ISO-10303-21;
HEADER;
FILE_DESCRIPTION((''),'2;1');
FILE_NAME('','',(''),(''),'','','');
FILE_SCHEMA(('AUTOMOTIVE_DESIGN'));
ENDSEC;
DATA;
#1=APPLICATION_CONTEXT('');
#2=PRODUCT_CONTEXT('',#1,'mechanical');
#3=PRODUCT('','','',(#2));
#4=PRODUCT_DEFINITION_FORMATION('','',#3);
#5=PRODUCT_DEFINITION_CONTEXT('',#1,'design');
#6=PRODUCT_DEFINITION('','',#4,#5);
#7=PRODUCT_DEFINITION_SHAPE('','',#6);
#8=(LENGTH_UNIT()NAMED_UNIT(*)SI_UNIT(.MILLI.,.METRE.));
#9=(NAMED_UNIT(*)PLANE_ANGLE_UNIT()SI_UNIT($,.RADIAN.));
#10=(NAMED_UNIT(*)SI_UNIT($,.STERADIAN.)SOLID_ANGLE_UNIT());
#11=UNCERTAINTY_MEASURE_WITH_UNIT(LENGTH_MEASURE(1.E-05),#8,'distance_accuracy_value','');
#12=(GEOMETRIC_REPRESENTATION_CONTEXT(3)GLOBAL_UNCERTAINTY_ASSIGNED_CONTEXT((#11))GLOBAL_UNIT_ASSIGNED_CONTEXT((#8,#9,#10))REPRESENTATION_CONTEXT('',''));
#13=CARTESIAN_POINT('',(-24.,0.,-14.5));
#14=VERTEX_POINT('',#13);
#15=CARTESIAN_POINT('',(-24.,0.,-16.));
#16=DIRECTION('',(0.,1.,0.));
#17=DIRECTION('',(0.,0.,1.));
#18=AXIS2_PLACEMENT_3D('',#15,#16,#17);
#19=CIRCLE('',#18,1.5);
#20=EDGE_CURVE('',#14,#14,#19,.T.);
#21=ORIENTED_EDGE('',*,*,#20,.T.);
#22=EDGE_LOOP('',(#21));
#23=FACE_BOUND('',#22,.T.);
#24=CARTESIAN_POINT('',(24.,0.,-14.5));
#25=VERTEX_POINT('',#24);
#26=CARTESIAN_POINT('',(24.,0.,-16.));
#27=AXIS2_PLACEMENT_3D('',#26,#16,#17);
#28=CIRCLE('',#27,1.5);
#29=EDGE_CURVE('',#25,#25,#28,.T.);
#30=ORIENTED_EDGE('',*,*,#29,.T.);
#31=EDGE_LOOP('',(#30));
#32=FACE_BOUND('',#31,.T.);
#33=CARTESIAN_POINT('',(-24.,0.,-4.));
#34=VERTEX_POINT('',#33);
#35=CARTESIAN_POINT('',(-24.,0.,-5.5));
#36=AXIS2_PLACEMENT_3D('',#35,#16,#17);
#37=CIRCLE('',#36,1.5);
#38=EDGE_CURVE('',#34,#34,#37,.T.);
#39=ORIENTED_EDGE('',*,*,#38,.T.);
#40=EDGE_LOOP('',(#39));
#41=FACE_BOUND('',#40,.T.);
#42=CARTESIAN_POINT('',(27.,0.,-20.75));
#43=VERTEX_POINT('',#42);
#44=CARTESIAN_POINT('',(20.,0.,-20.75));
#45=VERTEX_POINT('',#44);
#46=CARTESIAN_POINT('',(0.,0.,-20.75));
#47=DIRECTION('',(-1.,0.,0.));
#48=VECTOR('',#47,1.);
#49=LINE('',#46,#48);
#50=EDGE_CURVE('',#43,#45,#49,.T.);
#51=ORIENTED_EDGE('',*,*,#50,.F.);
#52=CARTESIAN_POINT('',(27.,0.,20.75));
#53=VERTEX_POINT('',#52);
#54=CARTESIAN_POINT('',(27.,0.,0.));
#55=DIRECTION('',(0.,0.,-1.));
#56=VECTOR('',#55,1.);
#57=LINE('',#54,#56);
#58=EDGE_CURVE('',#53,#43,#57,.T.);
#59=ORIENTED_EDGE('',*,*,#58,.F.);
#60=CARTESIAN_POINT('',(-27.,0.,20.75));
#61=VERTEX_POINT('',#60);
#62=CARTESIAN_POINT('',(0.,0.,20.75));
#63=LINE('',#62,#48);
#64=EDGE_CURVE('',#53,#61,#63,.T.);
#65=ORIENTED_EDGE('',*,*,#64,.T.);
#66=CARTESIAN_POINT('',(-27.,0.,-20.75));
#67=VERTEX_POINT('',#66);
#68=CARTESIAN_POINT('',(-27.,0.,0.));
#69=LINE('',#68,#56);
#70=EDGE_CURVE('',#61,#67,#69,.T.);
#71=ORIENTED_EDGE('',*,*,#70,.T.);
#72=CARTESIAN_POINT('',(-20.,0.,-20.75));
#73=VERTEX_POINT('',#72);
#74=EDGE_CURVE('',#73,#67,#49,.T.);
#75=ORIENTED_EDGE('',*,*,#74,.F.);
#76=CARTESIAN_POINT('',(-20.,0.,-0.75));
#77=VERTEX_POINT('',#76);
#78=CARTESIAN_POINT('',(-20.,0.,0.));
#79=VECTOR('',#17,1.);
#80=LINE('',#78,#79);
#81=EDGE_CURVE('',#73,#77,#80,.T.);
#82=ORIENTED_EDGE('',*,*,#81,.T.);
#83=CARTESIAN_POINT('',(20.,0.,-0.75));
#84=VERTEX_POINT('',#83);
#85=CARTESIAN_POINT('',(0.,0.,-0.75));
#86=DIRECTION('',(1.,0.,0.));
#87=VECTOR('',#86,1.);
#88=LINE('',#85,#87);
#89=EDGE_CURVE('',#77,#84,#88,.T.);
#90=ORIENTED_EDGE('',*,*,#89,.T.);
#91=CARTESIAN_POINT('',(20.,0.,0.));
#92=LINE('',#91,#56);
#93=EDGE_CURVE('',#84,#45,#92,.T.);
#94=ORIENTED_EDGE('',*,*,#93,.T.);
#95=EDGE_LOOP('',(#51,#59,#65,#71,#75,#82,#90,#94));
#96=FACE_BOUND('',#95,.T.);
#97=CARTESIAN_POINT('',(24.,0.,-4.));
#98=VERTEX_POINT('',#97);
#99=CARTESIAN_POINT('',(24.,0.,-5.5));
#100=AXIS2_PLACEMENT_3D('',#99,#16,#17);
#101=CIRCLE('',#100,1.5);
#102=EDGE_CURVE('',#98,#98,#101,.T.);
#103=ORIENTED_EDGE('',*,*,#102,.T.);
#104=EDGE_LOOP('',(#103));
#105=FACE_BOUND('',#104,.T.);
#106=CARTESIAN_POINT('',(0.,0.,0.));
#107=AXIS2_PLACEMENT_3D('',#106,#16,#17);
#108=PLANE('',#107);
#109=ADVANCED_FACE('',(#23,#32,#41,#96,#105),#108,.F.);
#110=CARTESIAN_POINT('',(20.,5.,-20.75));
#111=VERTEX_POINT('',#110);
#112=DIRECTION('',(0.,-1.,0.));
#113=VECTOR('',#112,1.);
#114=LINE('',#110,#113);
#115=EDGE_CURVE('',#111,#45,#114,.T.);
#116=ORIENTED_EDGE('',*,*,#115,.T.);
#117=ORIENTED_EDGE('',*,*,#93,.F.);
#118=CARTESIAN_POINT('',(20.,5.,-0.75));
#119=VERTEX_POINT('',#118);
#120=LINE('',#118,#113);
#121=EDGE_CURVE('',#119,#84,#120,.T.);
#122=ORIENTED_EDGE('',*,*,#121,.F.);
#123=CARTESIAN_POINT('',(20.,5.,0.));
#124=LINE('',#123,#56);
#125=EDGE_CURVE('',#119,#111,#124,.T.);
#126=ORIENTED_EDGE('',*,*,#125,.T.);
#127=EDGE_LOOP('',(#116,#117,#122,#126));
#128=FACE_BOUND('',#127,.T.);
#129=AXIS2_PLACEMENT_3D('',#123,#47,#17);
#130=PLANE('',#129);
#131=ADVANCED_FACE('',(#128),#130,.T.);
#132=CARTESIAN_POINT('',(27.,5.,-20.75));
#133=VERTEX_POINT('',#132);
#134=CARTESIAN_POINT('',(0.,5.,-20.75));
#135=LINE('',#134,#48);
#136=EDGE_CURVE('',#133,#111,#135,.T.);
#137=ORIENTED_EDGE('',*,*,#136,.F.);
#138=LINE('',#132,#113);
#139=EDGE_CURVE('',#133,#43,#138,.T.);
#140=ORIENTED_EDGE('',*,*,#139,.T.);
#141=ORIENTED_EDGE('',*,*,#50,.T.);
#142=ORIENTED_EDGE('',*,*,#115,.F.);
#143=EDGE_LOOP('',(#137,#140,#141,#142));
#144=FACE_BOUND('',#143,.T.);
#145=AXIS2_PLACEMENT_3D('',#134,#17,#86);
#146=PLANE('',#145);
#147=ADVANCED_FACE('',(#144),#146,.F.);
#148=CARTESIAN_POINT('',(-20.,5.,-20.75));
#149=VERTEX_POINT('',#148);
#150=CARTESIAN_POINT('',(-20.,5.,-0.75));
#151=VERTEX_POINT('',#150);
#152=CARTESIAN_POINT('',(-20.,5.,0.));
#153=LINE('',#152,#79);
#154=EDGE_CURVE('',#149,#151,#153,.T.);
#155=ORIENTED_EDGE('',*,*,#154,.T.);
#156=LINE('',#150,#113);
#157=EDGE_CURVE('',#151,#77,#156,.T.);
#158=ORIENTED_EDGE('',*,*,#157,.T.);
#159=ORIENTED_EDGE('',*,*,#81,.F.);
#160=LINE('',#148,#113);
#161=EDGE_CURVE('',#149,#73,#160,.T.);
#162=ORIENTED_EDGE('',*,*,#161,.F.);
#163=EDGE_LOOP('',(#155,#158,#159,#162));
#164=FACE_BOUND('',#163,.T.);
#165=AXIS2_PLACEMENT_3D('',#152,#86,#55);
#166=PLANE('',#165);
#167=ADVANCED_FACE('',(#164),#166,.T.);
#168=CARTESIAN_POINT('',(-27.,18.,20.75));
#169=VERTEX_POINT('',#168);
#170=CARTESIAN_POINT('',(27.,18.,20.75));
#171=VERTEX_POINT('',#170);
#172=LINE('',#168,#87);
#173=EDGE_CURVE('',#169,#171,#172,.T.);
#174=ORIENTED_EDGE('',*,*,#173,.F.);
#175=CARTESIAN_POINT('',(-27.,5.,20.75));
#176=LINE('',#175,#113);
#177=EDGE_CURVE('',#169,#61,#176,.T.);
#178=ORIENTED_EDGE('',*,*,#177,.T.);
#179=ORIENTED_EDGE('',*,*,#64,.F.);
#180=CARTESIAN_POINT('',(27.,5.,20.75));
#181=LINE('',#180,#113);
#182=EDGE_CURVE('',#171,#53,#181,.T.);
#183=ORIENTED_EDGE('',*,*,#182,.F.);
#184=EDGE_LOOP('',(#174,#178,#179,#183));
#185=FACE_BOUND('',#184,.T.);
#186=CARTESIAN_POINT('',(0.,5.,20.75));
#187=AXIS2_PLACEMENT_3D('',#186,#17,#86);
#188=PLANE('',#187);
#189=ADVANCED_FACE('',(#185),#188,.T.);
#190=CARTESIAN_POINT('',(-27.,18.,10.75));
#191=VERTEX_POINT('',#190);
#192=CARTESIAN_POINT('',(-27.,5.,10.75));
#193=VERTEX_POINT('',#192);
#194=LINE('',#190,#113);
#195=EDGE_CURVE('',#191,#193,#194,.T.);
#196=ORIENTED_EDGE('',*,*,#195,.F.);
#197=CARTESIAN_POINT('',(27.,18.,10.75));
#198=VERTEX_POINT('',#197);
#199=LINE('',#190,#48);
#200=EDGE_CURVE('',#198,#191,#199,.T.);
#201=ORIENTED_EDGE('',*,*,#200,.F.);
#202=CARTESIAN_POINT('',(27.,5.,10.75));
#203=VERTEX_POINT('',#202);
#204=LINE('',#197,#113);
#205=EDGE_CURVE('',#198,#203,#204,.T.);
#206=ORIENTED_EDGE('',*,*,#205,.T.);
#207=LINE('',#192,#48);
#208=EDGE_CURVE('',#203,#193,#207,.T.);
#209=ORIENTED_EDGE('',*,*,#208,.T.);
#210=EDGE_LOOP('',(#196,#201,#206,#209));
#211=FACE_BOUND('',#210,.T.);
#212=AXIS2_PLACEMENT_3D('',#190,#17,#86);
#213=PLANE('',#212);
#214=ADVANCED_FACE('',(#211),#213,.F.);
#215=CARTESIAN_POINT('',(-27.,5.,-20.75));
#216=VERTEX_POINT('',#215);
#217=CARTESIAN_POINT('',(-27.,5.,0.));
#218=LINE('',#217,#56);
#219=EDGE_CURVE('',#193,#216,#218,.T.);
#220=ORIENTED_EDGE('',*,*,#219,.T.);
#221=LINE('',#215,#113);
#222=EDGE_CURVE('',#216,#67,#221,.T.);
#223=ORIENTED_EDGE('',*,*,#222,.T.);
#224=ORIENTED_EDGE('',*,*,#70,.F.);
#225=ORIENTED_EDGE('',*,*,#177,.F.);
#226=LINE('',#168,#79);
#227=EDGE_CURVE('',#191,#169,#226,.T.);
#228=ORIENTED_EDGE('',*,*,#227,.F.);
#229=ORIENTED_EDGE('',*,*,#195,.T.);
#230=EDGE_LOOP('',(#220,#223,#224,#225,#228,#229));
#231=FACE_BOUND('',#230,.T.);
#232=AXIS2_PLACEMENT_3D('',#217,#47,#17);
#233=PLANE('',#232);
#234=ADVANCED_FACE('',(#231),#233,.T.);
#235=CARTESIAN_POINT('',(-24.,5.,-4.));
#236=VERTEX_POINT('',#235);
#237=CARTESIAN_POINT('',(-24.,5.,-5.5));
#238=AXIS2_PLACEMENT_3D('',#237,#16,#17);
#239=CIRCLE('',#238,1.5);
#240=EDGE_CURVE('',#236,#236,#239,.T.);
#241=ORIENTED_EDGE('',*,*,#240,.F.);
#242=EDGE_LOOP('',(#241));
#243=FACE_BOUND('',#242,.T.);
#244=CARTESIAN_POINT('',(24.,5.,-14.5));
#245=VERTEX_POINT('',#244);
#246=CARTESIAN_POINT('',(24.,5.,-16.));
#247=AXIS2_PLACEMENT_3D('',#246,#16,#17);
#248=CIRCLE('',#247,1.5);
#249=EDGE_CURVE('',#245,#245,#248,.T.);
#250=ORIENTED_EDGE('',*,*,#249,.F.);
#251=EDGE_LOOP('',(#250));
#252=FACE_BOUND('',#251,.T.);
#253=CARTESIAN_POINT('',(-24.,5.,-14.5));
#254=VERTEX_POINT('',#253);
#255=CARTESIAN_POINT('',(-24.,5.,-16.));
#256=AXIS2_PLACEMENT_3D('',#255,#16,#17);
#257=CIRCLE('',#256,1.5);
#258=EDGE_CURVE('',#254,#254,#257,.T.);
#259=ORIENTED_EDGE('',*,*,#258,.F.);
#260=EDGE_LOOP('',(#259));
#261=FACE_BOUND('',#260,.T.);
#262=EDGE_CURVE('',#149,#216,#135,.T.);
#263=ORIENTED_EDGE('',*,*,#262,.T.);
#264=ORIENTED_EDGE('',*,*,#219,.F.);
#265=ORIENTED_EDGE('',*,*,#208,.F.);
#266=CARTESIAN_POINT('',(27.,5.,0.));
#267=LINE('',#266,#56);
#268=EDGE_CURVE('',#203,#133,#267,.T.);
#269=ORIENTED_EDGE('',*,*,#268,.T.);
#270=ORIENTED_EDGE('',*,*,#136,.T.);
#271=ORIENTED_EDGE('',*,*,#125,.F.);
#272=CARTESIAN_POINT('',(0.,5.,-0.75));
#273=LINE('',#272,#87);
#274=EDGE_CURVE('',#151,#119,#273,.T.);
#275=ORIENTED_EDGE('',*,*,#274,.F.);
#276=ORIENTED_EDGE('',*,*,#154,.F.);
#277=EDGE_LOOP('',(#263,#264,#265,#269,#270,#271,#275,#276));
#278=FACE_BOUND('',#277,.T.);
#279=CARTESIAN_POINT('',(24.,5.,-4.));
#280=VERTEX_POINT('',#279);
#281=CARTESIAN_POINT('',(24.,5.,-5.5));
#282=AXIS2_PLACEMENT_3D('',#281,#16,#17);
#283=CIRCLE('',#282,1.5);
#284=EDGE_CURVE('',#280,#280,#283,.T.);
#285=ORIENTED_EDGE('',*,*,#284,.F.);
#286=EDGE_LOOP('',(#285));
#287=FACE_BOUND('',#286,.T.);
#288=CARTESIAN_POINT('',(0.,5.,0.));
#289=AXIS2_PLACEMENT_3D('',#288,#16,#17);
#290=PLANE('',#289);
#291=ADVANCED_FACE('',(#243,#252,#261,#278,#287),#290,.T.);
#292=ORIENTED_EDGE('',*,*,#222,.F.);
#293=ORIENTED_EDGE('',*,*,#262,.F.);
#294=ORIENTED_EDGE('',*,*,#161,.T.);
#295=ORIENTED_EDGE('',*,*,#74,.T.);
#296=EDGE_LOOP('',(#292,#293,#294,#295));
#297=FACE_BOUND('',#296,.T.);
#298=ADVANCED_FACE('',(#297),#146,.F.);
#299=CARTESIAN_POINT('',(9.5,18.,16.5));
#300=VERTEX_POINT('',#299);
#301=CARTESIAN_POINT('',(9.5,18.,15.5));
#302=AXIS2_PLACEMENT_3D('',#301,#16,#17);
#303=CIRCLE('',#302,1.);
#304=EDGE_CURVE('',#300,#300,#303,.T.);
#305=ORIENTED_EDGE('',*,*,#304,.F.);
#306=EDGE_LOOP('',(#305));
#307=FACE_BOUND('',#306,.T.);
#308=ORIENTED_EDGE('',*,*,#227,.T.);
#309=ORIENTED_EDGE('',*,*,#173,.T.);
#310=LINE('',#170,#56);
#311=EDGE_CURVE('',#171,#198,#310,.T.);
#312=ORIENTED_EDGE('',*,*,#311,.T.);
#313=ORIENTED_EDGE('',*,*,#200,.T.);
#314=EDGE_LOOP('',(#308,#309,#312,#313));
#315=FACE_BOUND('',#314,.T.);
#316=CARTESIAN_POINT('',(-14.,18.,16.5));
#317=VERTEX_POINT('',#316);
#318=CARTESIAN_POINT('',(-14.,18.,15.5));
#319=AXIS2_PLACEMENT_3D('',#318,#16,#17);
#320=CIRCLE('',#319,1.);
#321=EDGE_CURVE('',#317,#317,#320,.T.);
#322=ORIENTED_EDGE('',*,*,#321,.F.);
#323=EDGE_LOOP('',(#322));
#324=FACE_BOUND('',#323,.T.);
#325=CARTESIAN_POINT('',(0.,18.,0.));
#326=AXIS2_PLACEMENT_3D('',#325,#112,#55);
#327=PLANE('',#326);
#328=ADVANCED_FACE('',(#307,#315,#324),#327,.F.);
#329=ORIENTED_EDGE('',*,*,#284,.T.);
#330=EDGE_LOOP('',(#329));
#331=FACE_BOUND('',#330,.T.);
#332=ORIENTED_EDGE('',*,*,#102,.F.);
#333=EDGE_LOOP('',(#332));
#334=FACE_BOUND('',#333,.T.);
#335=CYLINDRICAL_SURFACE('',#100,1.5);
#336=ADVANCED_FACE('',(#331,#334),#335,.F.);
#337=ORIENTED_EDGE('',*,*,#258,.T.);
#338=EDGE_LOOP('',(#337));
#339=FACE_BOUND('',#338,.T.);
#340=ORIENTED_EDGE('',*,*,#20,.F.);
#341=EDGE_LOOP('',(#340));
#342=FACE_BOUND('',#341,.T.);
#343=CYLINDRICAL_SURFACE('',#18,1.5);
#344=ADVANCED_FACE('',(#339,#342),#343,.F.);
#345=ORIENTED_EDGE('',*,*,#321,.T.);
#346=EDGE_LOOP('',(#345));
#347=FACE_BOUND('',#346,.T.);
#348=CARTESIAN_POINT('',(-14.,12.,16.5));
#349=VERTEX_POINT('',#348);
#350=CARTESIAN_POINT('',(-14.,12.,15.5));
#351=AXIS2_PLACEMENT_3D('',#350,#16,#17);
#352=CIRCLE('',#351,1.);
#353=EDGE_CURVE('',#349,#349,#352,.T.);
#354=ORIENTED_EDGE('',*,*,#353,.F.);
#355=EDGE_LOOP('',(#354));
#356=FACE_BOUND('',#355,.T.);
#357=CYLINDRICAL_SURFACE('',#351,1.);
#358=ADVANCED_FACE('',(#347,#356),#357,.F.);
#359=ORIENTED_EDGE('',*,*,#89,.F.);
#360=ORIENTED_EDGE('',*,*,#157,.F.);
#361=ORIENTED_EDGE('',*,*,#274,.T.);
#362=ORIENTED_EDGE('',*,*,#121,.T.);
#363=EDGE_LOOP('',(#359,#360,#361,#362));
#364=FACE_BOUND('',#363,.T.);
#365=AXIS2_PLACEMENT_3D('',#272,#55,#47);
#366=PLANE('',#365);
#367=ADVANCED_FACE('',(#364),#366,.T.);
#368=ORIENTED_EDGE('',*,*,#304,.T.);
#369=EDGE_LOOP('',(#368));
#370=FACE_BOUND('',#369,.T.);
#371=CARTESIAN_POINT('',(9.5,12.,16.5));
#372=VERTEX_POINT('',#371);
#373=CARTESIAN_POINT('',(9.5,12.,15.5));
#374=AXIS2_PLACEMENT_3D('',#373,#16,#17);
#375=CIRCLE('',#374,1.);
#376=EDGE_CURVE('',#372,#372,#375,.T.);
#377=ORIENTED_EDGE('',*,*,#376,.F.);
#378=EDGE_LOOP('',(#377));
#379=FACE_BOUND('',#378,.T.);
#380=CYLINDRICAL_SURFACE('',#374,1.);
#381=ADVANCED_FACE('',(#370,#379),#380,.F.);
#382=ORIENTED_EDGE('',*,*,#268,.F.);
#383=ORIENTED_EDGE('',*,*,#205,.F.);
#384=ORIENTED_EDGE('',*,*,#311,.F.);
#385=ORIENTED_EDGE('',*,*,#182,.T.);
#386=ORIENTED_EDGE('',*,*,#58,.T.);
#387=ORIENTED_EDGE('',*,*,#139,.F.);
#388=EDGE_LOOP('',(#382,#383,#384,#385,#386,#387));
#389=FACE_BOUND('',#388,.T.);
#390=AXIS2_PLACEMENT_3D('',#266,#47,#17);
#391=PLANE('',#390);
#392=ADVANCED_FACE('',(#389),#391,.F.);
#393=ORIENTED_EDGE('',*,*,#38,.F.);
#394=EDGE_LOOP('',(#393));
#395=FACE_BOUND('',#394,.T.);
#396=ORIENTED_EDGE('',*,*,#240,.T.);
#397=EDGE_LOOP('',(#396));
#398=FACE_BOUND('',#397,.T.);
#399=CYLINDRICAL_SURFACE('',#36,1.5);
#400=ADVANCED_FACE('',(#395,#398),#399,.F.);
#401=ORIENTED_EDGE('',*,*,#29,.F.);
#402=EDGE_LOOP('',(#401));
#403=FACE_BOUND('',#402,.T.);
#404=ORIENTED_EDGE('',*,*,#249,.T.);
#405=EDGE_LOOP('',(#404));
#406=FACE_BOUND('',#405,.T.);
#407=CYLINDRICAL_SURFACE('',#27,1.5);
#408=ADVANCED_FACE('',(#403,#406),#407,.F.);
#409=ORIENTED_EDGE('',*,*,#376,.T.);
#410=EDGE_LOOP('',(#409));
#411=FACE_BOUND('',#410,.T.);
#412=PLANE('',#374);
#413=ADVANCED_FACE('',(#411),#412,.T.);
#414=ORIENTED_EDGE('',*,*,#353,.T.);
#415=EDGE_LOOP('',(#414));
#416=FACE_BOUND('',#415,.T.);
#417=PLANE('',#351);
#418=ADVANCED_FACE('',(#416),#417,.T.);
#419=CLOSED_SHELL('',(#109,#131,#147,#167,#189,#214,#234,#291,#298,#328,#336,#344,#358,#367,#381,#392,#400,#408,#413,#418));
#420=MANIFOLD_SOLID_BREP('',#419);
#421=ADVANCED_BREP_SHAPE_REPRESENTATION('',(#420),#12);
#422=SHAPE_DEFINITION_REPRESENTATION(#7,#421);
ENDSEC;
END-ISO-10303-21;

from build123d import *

# Parameters (mm, degrees)
BOSS_EXTRUDE1_DEPTH = 5
SKETCH2_R           = 1.5
CUT_EXTRUDE1_DEPTH  = 6
SKETCH3_W           = 54
SKETCH3_H           = 10
BOSS_EXTRUDE2_DEPTH = 13
SKETCH4_R           = 1
CUT_EXTRUDE2_DEPTH  = 6


with BuildPart() as part:
    # Sketch1 → Boss-Extrude1 (new body)
    with BuildSketch(Plane(origin=(0, 0, 0), x_dir=(1, 0, 0), z_dir=(0, 1, 0))):
        Polygon((-20, 20.75), (-20, 0.75), (20, 0.75), (20, 20.75), (27, 20.75), (27, -20.75), (-27, -20.75), (-27, 20.75), align=None)
    extrude(amount=BOSS_EXTRUDE1_DEPTH)

    # Sketch2 → Cut-Extrude1 (cut, through all)
    with BuildSketch(Plane(origin=(0, 5, 0), x_dir=(1, 0, 0), z_dir=(0, 1, 0))):
        with Locations((-24, 16)):
            Circle(SKETCH2_R)
        with Locations((-24, 5.5)):
            Circle(SKETCH2_R)
        with Locations((24, 16)):
            Circle(SKETCH2_R)
        with Locations((24, 5.5)):
            Circle(SKETCH2_R)
    extrude(amount=-CUT_EXTRUDE1_DEPTH, mode=Mode.SUBTRACT)

    # Sketch3 → Boss-Extrude2 (add)
    with BuildSketch(Plane(origin=(0, 5, 0), x_dir=(1, 0, 0), z_dir=(0, 1, 0))):
        with Locations((0, -15.75)):
            Rectangle(SKETCH3_W, SKETCH3_H)
    extrude(amount=BOSS_EXTRUDE2_DEPTH)

    # Sketch4 → Cut-Extrude2 (cut)
    with BuildSketch(Plane(origin=(0, 18, 0), x_dir=(1, 0, 0), z_dir=(0, 1, 0))):
        with Locations((-14, -15.5)):
            Circle(SKETCH4_R)
        with Locations((9.5, -15.5)):
            Circle(SKETCH4_R)
    extrude(amount=-CUT_EXTRUDE2_DEPTH, mode=Mode.SUBTRACT)


solid = part.part
